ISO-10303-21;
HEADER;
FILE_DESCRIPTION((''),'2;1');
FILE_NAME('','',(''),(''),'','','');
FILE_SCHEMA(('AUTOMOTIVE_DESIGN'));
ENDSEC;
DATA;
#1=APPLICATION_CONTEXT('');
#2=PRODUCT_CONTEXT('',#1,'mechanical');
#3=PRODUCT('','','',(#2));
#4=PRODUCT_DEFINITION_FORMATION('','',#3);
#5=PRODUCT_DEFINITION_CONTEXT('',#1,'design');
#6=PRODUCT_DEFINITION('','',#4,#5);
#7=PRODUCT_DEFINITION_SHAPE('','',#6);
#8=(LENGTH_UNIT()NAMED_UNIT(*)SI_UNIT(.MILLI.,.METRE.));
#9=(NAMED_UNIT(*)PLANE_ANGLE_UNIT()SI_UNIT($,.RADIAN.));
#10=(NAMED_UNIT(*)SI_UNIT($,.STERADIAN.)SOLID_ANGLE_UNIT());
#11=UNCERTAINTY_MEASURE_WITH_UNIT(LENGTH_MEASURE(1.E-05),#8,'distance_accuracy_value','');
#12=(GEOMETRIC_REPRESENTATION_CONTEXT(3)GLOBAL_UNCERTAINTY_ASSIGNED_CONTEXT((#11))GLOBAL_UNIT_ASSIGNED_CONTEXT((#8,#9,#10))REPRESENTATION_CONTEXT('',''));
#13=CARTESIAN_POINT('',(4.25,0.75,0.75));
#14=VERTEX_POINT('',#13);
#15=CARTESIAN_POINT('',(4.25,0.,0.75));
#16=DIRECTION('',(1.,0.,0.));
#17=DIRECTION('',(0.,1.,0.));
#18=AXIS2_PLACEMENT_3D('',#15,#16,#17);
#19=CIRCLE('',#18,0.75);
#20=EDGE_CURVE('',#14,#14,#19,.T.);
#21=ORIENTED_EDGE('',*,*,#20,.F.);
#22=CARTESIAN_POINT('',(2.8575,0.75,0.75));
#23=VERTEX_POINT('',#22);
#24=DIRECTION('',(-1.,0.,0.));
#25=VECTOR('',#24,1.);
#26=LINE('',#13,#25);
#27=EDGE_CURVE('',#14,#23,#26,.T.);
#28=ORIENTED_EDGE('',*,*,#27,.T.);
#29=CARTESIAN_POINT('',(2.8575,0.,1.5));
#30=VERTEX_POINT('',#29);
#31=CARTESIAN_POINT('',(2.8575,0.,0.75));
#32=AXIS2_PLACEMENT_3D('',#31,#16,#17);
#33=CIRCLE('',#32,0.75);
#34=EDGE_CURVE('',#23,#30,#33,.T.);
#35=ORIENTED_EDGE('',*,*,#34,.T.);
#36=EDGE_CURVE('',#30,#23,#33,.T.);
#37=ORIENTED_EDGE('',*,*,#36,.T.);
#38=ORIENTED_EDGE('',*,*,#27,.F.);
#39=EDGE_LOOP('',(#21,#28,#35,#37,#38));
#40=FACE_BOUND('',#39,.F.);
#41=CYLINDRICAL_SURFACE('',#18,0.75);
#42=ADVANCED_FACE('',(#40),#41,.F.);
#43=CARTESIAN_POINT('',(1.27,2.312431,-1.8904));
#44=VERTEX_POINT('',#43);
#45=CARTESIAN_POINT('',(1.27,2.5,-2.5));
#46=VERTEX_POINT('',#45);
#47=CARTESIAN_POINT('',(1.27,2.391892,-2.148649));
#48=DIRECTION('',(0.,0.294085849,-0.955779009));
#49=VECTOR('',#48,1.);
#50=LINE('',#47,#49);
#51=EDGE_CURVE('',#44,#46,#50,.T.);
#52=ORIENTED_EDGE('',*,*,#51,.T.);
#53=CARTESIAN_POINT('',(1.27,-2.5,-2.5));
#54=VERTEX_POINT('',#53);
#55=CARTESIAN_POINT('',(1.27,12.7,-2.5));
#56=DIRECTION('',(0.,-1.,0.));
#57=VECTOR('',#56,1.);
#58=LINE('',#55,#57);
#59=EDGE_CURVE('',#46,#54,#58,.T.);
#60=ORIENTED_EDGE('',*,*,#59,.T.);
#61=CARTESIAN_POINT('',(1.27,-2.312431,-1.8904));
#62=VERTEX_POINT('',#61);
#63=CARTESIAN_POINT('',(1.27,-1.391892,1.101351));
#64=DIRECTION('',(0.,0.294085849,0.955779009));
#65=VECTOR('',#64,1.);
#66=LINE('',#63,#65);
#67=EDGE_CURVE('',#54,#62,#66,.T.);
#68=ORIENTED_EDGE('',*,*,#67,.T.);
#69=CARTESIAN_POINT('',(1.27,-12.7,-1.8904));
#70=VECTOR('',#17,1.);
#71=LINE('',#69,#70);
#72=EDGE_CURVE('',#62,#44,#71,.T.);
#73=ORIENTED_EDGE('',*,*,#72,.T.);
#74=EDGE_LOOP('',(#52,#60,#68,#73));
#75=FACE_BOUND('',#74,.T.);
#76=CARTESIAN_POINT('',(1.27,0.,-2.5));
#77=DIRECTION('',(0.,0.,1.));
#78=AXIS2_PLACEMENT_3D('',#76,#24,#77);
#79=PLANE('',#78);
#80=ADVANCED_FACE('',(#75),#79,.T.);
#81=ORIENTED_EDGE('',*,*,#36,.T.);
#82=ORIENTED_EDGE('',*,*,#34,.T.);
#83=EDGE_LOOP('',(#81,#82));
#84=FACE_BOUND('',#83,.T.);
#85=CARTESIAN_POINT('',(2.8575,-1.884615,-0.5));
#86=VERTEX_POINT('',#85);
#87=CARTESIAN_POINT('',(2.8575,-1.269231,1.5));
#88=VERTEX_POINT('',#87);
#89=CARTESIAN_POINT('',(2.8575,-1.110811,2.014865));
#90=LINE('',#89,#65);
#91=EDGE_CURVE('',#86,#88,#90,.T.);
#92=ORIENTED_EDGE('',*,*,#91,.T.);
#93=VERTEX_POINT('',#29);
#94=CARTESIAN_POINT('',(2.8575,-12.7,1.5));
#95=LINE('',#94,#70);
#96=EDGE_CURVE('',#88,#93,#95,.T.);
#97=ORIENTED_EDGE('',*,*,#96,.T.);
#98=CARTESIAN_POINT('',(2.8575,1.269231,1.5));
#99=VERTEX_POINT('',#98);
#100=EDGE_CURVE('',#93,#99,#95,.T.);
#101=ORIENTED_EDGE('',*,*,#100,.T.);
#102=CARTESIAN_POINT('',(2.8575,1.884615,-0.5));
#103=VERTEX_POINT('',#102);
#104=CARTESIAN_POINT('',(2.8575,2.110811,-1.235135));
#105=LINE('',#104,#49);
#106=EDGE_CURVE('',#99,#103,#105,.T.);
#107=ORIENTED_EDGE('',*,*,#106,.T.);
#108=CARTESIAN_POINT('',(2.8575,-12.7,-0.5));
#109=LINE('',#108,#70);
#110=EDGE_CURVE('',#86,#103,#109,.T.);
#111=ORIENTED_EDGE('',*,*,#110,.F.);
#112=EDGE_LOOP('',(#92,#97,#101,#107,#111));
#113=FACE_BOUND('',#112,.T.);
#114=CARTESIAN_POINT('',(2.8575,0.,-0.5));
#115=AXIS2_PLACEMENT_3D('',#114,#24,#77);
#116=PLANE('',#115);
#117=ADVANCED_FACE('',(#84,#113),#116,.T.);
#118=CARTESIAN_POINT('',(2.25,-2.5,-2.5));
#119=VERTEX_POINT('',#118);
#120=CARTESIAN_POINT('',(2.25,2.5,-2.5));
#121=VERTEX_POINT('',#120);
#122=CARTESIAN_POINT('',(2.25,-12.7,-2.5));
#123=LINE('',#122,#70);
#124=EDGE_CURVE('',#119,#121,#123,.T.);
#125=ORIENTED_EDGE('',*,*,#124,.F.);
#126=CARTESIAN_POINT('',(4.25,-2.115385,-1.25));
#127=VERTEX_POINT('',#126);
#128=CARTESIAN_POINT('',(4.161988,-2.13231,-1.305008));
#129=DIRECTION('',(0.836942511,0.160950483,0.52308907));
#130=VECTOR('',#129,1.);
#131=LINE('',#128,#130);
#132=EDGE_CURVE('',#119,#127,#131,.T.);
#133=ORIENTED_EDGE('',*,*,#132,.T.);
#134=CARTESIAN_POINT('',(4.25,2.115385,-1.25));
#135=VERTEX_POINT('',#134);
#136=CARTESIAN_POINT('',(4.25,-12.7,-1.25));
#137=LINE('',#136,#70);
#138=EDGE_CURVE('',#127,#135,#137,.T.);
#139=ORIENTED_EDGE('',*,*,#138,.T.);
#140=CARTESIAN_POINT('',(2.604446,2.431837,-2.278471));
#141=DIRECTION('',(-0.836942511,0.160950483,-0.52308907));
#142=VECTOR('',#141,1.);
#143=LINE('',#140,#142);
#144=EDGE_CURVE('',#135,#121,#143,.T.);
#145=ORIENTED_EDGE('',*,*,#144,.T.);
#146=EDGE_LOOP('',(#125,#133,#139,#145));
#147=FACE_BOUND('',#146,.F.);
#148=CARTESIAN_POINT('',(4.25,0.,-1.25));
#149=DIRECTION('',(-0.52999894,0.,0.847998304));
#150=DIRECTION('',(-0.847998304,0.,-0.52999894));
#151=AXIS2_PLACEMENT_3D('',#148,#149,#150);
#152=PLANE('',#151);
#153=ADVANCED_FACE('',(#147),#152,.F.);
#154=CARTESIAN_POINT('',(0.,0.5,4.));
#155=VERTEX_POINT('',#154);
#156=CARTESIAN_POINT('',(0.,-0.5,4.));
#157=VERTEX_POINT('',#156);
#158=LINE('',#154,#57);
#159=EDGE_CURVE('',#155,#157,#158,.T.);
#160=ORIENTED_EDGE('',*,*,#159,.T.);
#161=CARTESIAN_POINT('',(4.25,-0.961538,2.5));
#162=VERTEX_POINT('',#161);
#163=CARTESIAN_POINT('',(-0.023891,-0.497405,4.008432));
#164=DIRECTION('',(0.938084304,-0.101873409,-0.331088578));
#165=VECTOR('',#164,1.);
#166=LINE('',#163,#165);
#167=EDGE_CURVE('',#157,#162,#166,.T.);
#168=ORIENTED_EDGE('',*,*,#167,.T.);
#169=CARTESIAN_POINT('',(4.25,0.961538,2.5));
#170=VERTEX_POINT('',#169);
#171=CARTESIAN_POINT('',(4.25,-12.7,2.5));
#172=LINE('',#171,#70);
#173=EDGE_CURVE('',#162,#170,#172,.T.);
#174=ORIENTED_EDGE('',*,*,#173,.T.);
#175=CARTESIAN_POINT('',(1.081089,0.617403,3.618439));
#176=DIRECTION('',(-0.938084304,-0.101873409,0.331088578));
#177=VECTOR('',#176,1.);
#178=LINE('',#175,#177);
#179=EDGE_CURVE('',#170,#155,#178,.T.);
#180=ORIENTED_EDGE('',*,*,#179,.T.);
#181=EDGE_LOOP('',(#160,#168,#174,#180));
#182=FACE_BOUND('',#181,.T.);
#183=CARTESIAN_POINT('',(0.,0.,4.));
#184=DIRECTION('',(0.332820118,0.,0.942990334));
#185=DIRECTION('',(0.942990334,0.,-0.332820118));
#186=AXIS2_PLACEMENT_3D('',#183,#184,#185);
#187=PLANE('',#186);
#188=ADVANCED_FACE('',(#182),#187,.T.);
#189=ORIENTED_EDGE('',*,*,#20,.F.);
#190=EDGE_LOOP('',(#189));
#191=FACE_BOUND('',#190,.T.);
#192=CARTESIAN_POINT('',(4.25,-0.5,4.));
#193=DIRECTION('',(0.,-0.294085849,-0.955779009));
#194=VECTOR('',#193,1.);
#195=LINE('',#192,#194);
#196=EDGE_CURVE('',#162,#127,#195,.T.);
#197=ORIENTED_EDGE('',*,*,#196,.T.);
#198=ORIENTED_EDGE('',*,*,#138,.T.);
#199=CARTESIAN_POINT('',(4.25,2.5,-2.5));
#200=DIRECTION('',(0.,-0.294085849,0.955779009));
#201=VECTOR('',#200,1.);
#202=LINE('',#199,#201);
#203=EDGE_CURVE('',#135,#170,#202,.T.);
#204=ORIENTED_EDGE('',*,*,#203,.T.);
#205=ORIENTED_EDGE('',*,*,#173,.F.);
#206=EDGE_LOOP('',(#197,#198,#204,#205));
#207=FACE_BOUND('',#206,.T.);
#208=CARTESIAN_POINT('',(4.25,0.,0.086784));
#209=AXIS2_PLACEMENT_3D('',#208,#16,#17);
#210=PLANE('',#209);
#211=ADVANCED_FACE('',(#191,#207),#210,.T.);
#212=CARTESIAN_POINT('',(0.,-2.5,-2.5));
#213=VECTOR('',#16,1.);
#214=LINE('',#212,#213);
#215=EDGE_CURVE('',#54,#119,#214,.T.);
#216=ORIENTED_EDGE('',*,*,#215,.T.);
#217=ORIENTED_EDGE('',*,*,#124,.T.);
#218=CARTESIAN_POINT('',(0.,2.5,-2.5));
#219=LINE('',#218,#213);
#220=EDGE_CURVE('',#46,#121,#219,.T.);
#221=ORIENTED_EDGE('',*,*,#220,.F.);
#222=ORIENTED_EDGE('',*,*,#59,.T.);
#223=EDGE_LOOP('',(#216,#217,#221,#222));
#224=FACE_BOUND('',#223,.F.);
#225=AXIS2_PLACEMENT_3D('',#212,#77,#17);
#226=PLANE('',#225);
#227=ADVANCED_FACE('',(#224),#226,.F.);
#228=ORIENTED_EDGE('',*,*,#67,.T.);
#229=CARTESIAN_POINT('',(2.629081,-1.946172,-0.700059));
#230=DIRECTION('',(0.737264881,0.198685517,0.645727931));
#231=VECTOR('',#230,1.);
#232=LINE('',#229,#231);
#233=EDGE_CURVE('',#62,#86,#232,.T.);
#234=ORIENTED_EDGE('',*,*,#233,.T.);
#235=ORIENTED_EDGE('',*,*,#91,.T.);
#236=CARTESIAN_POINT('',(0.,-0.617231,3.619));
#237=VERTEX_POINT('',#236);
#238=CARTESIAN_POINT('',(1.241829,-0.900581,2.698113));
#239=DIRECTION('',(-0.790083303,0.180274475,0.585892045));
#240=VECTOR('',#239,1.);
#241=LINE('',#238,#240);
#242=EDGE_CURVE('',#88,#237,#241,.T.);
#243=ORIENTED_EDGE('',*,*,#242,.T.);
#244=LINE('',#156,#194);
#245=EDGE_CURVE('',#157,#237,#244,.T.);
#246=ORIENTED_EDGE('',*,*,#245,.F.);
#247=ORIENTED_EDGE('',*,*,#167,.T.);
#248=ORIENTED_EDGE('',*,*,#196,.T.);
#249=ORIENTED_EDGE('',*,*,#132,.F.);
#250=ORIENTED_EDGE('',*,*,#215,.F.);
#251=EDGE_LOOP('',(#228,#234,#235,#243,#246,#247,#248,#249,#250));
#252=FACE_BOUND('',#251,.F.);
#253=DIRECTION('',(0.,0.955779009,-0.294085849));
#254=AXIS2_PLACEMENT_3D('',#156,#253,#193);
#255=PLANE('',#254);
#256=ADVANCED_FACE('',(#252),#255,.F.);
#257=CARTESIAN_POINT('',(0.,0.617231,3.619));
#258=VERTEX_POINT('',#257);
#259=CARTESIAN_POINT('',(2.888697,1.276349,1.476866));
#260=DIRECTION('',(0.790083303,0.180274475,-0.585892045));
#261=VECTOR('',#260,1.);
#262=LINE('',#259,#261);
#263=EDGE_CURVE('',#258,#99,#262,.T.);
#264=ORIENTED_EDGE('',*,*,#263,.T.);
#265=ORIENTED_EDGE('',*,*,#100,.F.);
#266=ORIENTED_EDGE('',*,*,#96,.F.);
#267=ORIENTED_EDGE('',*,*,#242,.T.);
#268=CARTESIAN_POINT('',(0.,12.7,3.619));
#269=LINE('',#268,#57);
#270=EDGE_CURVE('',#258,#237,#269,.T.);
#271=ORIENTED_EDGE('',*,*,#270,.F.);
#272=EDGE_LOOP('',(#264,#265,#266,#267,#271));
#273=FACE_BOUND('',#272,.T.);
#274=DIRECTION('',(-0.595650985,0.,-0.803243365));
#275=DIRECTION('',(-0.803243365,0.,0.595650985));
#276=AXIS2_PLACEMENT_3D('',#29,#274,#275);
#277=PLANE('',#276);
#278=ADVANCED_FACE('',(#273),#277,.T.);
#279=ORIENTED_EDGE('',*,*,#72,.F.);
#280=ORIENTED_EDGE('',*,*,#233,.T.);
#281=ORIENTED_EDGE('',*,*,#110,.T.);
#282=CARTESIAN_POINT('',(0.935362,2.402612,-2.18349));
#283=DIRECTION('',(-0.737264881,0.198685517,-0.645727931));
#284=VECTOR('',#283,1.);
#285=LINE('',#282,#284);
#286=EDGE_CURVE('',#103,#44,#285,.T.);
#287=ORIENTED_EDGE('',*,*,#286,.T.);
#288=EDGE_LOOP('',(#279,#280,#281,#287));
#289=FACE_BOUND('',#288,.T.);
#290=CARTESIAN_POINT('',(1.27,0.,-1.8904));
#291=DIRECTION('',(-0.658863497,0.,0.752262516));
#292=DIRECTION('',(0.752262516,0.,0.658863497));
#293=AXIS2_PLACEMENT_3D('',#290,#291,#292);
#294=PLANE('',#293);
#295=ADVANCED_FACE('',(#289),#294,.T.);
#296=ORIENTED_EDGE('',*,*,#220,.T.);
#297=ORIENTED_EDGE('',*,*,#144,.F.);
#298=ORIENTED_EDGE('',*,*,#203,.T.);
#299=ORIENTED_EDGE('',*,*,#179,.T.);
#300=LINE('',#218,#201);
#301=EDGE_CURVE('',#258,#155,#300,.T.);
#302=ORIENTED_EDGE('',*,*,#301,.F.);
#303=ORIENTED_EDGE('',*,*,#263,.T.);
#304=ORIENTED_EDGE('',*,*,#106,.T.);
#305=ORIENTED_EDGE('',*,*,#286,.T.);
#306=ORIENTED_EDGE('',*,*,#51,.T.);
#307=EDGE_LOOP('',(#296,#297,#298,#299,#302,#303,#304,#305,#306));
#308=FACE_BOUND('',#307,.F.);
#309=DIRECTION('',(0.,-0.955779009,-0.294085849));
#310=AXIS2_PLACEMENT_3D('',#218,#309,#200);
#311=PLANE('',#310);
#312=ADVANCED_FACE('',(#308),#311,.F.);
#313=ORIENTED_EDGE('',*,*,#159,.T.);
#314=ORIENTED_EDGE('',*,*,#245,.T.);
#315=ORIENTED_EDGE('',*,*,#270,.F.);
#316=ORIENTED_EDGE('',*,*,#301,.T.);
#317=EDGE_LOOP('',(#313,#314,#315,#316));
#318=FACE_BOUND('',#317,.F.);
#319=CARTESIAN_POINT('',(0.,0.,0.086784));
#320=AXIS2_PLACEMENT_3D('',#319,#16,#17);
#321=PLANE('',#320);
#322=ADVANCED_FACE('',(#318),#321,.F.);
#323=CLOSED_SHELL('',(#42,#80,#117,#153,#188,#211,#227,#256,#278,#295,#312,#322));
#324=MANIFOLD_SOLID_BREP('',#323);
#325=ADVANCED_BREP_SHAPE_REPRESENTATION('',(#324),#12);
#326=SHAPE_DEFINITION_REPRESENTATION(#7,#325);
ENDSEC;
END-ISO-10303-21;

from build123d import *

# Parameters (mm, degrees)
F1_DEPTH = 4.25
F2_R     = 0.75
F3_DEPTH = 4.251
F5_DEPTH = 12.7


with BuildPart() as f1:
    # F0 (on Right) → F1 (new body)
    with BuildSketch(Plane.YZ):
        Polygon((0.5, 4), (-0.5, 4), (-2.5, -2.5), (2.5, -2.5), align=None)
    extrude(amount=F1_DEPTH)

    # F2 (on face) → F3 (cut, through all)
    with BuildSketch(Plane.YZ.offset(4.25)):
        with Locations((0, 0.75)):
            Circle(F2_R)
    extrude(amount=-F3_DEPTH, mode=Mode.SUBTRACT)

    # F4 (on Front) → F5 (cut, symmetric)
    with BuildSketch(Plane.XZ):
        Polygon((2.8575, 1.5), (0, 3.619), (0, -2.5), (1.27, -2.5), (1.27, -1.8904), (2.8575, -0.5), align=None)
        Polygon((4.25, 2.5), (4.25, 4), (0, 4), align=None)
        Polygon((2.25, -2.5), (4.25, -2.5), (4.25, -1.25), align=None)
    extrude(amount=F5_DEPTH, both=True, mode=Mode.SUBTRACT)


solid = f1.part
